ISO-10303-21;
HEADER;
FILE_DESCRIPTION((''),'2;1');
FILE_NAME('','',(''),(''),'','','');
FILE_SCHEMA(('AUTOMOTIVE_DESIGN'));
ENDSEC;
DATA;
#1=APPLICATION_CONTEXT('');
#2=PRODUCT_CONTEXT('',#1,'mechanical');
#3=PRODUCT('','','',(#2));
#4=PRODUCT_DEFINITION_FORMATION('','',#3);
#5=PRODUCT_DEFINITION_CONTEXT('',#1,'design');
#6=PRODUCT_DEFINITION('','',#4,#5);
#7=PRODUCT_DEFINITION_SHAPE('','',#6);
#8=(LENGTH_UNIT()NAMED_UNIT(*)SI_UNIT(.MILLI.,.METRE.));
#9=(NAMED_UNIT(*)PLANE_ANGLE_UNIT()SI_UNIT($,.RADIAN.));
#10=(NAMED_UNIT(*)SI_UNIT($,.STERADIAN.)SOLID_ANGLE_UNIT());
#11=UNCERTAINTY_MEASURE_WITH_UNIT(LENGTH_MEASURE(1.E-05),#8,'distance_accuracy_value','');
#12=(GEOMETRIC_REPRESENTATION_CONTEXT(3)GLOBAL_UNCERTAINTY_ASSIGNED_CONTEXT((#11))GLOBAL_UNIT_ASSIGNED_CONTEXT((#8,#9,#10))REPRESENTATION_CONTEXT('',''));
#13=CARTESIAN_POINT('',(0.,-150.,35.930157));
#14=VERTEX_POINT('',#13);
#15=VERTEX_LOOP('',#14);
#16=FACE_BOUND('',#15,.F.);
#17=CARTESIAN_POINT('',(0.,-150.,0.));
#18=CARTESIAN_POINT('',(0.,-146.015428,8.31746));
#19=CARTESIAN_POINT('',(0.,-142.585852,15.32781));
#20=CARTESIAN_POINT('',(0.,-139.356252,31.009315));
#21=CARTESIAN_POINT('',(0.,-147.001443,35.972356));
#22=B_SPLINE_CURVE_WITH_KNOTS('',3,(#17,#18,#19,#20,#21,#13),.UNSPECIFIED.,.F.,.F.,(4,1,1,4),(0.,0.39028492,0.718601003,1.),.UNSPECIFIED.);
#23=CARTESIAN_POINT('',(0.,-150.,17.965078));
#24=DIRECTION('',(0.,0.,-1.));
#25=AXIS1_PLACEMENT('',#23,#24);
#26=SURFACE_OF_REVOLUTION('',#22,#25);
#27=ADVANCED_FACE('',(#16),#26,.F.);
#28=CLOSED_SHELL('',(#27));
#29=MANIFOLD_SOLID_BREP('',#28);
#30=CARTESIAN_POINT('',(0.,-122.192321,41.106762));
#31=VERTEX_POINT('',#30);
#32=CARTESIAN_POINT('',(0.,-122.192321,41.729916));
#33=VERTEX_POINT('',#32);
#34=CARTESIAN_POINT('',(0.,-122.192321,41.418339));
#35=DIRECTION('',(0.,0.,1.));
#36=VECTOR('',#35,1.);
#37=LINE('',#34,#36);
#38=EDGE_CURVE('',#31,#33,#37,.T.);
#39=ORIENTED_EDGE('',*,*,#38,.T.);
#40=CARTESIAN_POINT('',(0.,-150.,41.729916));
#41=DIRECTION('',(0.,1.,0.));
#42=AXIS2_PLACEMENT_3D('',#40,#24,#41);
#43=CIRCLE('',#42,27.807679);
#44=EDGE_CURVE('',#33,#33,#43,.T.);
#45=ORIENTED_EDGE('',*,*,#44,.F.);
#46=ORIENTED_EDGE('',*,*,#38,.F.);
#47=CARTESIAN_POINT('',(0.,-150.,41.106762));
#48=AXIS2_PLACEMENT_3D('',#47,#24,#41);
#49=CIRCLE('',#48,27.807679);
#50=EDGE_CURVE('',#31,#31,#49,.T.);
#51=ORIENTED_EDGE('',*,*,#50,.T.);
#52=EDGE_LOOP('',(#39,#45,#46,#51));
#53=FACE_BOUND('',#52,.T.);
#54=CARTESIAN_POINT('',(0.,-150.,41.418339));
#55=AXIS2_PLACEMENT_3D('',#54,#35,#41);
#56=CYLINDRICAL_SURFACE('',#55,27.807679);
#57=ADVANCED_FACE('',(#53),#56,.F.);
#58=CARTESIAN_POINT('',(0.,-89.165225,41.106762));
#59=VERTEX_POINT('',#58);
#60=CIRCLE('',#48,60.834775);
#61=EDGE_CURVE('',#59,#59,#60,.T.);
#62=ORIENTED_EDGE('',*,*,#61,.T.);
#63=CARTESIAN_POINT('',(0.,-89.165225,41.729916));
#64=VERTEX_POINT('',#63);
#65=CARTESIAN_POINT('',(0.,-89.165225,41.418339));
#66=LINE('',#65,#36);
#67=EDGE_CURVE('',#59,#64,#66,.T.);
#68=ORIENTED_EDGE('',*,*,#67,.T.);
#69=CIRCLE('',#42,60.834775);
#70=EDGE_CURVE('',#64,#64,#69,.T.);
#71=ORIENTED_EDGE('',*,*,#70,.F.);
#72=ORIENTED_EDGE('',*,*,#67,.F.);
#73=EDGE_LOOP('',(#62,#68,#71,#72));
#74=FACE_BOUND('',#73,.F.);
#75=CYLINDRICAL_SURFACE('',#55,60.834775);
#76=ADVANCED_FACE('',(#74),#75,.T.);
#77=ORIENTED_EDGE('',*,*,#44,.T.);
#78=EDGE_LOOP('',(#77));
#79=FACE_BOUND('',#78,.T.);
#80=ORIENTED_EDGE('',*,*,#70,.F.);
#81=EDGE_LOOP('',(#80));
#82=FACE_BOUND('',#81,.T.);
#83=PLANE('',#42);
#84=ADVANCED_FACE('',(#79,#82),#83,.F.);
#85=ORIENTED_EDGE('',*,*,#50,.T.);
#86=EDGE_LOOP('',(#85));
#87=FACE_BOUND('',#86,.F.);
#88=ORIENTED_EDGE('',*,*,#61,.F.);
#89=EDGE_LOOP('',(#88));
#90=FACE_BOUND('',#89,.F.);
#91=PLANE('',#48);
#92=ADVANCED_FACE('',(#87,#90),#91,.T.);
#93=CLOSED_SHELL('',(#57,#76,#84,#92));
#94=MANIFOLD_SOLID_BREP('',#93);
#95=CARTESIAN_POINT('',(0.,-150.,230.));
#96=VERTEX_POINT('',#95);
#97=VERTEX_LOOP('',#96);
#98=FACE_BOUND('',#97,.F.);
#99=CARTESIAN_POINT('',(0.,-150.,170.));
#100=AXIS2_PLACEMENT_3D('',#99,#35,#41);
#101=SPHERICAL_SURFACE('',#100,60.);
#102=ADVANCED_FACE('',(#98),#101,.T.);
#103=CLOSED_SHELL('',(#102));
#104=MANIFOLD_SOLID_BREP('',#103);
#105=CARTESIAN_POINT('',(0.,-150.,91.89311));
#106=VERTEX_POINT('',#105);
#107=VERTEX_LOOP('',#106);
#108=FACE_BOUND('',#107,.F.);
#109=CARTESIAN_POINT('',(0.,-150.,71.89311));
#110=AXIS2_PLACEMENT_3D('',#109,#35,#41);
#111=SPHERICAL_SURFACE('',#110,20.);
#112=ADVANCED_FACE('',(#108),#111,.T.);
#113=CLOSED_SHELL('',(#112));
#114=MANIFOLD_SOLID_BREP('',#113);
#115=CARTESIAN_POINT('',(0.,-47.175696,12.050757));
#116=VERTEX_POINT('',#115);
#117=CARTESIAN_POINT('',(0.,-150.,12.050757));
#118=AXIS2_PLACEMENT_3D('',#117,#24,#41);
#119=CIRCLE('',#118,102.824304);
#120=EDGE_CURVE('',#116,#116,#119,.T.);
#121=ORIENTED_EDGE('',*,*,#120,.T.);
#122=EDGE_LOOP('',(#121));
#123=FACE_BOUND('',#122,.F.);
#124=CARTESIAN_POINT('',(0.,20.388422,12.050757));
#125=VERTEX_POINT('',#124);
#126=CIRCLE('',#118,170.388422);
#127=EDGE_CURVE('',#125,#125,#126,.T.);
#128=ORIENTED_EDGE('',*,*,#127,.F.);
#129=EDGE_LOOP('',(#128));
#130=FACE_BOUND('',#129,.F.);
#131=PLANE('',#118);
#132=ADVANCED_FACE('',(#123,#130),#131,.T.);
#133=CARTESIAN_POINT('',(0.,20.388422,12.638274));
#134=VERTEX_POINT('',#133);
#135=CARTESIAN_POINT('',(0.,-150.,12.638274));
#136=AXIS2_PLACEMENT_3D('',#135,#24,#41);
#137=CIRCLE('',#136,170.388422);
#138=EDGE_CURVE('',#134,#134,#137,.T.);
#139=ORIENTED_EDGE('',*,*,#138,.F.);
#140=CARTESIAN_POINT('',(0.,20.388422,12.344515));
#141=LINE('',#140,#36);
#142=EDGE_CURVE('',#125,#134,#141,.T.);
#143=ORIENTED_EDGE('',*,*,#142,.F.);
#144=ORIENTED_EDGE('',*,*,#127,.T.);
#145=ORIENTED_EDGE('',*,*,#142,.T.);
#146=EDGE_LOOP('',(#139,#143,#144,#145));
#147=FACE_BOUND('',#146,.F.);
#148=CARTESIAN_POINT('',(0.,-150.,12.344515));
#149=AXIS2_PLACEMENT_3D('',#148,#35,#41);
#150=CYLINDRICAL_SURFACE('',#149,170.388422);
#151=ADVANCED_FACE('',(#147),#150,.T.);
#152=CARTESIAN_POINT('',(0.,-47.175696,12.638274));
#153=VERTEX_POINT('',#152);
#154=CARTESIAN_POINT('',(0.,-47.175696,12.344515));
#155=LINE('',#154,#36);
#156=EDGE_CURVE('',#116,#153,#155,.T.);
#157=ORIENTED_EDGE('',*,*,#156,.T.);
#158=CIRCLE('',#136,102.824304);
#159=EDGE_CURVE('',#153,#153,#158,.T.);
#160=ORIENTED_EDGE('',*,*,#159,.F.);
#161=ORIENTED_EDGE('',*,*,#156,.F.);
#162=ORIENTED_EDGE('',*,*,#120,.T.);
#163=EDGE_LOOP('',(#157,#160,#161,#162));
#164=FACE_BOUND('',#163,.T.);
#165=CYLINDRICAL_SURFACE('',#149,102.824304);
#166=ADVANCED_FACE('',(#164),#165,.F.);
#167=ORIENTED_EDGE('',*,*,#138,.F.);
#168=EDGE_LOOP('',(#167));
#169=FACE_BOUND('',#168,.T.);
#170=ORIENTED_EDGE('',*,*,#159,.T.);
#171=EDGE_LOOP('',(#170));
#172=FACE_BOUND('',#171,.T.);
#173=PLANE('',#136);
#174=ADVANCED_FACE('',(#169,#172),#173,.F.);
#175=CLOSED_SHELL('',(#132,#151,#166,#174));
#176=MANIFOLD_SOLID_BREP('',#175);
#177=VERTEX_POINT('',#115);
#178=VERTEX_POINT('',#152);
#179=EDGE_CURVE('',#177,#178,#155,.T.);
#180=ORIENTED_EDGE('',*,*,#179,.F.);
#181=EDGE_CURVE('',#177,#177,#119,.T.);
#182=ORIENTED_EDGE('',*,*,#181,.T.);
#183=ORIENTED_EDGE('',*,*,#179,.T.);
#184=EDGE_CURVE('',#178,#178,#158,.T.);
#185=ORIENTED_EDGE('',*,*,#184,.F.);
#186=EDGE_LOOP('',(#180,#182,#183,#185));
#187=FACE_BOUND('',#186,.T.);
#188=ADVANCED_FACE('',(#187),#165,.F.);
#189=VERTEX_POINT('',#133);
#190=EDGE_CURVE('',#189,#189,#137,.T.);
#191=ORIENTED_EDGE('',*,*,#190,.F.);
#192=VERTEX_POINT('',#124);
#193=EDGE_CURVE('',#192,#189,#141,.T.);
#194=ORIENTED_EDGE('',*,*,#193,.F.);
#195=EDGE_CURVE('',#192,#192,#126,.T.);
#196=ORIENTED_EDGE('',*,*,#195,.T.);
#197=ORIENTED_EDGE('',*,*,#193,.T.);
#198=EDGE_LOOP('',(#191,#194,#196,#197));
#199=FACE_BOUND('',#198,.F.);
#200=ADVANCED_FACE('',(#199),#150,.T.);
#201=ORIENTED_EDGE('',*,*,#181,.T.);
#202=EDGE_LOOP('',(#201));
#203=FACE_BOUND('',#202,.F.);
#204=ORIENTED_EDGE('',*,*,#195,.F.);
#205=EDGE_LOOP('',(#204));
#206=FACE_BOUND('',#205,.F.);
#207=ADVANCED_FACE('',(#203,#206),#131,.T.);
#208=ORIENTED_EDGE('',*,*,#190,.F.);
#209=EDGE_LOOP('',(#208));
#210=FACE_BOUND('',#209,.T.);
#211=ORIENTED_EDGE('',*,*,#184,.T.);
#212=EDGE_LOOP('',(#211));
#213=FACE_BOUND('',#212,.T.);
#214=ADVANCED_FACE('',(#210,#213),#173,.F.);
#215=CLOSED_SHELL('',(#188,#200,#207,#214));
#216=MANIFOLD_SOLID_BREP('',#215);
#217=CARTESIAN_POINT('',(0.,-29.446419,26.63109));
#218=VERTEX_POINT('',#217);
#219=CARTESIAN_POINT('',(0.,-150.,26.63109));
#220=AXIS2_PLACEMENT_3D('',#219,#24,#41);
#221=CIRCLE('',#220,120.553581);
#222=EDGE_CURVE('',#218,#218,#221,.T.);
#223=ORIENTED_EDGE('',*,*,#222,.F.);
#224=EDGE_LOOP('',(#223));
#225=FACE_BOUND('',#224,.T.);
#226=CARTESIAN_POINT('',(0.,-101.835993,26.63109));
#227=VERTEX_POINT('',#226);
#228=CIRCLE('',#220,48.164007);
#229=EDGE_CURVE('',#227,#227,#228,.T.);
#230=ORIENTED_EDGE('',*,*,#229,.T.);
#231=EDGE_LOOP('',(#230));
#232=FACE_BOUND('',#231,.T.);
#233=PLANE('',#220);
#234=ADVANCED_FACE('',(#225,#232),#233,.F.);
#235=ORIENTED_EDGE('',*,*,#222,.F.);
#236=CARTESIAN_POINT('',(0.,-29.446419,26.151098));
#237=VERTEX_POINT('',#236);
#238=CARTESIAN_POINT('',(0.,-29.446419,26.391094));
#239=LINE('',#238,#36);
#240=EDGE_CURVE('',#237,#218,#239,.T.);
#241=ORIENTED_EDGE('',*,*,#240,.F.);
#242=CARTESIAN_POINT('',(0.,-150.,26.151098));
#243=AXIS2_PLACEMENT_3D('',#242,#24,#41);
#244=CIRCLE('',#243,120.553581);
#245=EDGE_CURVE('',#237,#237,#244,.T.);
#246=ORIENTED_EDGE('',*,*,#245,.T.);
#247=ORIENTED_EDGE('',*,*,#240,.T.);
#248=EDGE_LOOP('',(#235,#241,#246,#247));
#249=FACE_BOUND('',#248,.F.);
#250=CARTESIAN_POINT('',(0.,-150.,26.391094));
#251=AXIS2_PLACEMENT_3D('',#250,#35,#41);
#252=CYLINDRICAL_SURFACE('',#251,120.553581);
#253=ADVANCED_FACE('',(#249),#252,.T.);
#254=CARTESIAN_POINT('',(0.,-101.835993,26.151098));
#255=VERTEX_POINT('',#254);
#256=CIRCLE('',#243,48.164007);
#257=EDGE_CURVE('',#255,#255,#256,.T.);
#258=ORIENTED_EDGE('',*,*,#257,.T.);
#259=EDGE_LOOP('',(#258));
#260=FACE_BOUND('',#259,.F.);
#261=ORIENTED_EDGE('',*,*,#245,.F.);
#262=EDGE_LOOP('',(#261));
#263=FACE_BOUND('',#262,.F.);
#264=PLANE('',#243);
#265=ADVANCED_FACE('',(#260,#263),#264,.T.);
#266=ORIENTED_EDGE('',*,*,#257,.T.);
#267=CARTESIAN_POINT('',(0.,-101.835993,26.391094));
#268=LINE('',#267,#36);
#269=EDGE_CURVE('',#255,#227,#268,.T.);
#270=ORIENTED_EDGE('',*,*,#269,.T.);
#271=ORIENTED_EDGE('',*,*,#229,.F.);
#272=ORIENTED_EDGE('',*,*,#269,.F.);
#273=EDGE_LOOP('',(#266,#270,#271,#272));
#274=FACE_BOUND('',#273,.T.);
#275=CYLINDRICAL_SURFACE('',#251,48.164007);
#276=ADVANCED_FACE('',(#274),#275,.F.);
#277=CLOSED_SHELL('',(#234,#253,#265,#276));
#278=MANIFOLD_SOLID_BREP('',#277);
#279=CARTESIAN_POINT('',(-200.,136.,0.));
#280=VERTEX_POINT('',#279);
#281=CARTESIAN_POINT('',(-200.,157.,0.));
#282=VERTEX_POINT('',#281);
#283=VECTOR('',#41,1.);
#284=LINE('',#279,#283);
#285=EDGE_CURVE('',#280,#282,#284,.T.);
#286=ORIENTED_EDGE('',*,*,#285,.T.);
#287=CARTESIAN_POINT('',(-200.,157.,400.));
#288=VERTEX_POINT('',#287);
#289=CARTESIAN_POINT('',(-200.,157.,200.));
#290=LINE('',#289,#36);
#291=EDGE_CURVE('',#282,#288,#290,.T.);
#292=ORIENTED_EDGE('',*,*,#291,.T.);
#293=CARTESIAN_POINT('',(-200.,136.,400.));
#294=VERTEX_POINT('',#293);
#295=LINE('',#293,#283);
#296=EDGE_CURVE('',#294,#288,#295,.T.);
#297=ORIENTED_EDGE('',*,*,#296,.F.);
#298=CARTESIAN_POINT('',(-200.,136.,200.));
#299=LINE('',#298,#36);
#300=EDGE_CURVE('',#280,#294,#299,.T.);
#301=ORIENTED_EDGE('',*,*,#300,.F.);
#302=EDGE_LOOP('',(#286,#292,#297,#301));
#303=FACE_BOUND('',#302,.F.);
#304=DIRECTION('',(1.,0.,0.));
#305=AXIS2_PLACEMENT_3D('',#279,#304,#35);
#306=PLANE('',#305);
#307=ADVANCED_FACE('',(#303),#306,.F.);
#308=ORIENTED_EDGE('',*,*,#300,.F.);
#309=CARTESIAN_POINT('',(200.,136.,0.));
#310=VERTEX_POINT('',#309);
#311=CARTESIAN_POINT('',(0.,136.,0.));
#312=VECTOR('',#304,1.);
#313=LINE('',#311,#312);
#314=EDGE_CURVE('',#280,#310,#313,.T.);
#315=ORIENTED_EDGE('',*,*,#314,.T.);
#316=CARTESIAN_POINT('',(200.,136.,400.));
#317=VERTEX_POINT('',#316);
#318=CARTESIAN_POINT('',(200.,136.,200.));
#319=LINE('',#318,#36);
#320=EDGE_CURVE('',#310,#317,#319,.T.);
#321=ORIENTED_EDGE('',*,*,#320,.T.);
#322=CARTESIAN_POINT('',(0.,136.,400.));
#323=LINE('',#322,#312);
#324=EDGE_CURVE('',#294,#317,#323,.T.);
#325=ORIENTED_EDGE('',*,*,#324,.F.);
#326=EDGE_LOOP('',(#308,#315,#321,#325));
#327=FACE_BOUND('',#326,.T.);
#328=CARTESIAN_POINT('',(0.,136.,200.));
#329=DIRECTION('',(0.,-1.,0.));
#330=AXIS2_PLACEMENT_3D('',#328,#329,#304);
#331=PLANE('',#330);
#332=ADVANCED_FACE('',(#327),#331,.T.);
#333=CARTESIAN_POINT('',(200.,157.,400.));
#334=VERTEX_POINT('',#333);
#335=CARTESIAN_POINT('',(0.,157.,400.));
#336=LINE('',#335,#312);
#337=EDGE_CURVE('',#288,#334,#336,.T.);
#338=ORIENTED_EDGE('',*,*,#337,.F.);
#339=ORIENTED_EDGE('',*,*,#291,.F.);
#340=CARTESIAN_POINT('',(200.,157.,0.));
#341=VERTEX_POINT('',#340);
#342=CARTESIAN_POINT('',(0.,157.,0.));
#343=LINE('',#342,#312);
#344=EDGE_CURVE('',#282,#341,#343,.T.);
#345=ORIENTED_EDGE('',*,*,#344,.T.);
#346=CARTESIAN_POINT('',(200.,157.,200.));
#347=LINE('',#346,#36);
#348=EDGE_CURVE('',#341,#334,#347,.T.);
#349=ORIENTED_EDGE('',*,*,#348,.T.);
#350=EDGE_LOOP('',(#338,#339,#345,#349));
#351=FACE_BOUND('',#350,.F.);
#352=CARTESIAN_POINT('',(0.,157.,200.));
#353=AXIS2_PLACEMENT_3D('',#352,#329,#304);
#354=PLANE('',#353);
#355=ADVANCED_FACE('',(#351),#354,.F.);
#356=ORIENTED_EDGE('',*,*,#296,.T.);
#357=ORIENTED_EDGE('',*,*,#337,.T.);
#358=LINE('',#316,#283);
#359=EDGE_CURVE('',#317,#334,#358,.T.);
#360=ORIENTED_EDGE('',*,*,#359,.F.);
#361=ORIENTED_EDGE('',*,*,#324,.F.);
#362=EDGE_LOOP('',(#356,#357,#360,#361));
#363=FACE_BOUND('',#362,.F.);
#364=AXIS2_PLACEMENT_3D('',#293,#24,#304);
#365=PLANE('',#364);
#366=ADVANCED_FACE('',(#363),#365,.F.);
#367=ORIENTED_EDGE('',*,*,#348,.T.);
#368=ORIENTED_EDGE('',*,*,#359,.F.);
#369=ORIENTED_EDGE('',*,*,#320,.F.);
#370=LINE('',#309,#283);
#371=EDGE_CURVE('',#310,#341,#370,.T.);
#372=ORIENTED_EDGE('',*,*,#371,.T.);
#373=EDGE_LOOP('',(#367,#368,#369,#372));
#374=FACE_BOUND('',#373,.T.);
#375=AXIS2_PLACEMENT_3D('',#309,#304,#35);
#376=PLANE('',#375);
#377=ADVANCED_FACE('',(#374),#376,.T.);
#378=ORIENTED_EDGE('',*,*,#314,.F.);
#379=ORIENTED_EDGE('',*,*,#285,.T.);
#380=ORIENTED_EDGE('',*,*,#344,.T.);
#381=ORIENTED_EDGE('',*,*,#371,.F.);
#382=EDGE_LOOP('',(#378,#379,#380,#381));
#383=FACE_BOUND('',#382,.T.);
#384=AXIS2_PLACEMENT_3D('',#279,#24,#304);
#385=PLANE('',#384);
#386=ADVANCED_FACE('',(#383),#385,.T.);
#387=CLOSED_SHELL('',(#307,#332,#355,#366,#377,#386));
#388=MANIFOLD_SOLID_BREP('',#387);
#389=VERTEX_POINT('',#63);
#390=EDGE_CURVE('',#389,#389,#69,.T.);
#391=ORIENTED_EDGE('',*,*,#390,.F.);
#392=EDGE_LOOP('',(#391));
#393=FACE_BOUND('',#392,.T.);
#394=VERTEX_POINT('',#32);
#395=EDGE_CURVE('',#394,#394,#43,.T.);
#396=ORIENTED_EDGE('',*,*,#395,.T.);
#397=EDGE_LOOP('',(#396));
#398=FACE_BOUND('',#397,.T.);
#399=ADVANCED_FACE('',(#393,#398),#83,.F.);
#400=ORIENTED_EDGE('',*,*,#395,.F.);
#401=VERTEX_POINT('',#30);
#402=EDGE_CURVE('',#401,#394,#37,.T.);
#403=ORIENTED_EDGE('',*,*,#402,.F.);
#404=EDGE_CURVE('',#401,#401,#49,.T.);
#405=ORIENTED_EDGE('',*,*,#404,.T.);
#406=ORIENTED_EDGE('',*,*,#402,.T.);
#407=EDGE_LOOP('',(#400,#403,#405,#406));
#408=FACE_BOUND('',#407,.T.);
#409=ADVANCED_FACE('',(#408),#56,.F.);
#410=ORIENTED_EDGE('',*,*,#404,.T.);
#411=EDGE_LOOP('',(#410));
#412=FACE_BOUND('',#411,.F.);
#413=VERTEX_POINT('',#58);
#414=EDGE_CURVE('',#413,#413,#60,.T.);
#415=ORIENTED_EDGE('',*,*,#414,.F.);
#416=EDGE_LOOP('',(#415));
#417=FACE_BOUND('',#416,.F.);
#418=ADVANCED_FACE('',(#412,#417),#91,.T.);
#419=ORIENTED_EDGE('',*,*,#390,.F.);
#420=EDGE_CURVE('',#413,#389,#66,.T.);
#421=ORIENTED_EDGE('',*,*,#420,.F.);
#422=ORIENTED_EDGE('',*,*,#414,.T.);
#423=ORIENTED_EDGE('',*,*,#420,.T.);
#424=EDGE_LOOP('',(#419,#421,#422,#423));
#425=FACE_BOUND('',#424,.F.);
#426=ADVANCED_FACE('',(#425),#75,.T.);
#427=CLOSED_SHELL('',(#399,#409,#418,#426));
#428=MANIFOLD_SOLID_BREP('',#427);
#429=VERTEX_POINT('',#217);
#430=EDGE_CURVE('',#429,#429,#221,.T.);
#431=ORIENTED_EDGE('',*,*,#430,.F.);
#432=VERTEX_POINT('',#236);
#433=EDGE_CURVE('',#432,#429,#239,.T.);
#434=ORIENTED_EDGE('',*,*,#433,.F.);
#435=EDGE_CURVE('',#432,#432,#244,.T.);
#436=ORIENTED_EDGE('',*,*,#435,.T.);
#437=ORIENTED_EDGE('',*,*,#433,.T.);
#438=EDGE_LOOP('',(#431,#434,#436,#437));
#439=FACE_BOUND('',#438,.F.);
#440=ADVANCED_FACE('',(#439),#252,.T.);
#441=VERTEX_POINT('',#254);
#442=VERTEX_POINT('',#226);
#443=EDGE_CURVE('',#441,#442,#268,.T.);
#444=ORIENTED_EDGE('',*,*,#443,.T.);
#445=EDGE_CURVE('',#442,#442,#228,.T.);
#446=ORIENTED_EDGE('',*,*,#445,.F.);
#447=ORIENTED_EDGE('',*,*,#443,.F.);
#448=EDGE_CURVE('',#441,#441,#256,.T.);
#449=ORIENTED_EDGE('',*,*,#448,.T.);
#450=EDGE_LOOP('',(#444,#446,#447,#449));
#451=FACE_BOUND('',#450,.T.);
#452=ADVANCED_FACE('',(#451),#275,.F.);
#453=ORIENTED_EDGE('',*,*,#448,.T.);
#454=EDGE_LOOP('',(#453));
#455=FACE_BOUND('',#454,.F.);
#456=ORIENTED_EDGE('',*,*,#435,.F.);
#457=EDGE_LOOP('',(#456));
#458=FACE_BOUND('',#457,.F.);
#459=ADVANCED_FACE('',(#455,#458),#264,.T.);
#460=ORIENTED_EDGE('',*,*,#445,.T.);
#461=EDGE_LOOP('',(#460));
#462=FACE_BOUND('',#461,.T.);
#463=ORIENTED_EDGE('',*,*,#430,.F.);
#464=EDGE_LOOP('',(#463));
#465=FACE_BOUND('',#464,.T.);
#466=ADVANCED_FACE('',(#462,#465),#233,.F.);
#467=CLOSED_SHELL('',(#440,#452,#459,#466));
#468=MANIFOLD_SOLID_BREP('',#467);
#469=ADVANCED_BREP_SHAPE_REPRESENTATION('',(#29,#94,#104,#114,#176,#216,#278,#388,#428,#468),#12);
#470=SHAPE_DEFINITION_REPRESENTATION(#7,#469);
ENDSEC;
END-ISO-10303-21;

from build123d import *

# Parameters (mm, degrees)
F3_START = -136
F0_W     = 400
F0_H     = 400
F3_DEPTH = 21
F8_W     = 33.0270953653
F8_H     = 0.6231538645
F8_W_2   = 72.3895747283
F8_H_2   = 0.4799921252
F8_W_3   = 67.564117612
F8_H_3   = 0.5875171763


with BuildPart() as f2:
    # F1 (on Right) → F2 (revolve)
    with BuildSketch(Plane.YZ):
        with BuildLine():
            ThreePointArc((-150, 110), (-90, 170), (-150, 230))
            Line((-150, 230), (-150, 110))
        make_face()
    revolve(axis=Axis((0, -150, 170), (0, 0, -1)))


with BuildPart() as f3:
    # F0 (on Front) → F3 (new body)
    with BuildSketch(Plane.XZ.offset(F3_START)):
        with Locations((0, 200)):
            Rectangle(F0_W, F0_H)
    extrude(amount=-F3_DEPTH)


with BuildPart() as f5:
    # F4 (on Right) → F5 (revolve)
    with BuildSketch(Plane.YZ):
        with BuildLine():
            Line((-150, 35.9301567078), (-150, 0))
            add(Edge.make_bspline(
                [(-150, 0), (-146.0154275688, 8.3174599859), (-142.5858517401, 15.3278100745), (-139.3562522281, 31.009315122), (-147.0014429277, 35.9723562162), (-150, 35.9301567078)],
                knots=[0, 0, 0, 0, 0.3902849204, 0.7186010027, 1, 1, 1, 1], degree=3))
        make_face()
    revolve(axis=Axis((0, -150, 17.9650783539), (0, 0, -1)))


with BuildPart() as f7:
    # F6 (on Right) → F7 (revolve)
    with BuildSketch(Plane.YZ):
        with BuildLine():
            ThreePointArc((-150, 51.8931097289), (-130, 71.8931097289), (-150, 91.8931097289))
            Line((-150, 91.8931097289), (-150, 51.8931097289))
        make_face()
    revolve(axis=Axis((0, -150, 71.8931097289), (0, 0, -1)))


with BuildPart() as f9:
    # F8 (on Right) → F9 (revolve)
    with BuildSketch(Plane.YZ):
        with Locations((-105.6787731469, 41.418339388)):
            Rectangle(F8_W, F8_H)
    revolve(axis=Axis((0, -150, 23.9761587481), (0, 0, -1)))


with BuildPart() as f9b:
    # F8 (on Right) → F9, piece 2 (revolve)
    with BuildSketch(Plane.YZ):
        with Locations((-65.6412060954, 26.391093639)):
            Rectangle(F8_W_2, F8_H_2)
    revolve(axis=Axis((0, -150, 23.9761587481), (0, 0, -1)))


with BuildPart() as f9c:
    # F8 (on Right) → F9, piece 3 (revolve)
    with BuildSketch(Plane.YZ):
        with Locations((-13.3936369571, 12.3445154659)):
            Rectangle(F8_W_3, F8_H_3)
    revolve(axis=Axis((0, -150, 23.9761587481), (0, 0, -1)))


with BuildPart() as f10:
    # F8 (on Right) → F10 (revolve)
    with BuildSketch(Plane.YZ):
        with Locations((-105.6787731469, 41.418339388)):
            Rectangle(F8_W, F8_H)
    revolve(axis=Axis((0, -150, 17.9650783539), (0, 0, -1)))


with BuildPart() as f10b:
    # F8 (on Right) → F10, piece 2 (revolve)
    with BuildSketch(Plane.YZ):
        with Locations((-65.6412060954, 26.391093639)):
            Rectangle(F8_W_2, F8_H_2)
    revolve(axis=Axis((0, -150, 17.9650783539), (0, 0, -1)))


with BuildPart() as f10c:
    # F8 (on Right) → F10, piece 3 (revolve)
    with BuildSketch(Plane.YZ):
        with Locations((-13.3936369571, 12.3445154659)):
            Rectangle(F8_W_3, F8_H_3)
    revolve(axis=Axis((0, -150, 17.9650783539), (0, 0, -1)))


solid = Compound([f2.part, f3.part, f5.part, f7.part, f9.part, f9b.part, f9c.part, f10.part, f10b.part, f10c.part])
